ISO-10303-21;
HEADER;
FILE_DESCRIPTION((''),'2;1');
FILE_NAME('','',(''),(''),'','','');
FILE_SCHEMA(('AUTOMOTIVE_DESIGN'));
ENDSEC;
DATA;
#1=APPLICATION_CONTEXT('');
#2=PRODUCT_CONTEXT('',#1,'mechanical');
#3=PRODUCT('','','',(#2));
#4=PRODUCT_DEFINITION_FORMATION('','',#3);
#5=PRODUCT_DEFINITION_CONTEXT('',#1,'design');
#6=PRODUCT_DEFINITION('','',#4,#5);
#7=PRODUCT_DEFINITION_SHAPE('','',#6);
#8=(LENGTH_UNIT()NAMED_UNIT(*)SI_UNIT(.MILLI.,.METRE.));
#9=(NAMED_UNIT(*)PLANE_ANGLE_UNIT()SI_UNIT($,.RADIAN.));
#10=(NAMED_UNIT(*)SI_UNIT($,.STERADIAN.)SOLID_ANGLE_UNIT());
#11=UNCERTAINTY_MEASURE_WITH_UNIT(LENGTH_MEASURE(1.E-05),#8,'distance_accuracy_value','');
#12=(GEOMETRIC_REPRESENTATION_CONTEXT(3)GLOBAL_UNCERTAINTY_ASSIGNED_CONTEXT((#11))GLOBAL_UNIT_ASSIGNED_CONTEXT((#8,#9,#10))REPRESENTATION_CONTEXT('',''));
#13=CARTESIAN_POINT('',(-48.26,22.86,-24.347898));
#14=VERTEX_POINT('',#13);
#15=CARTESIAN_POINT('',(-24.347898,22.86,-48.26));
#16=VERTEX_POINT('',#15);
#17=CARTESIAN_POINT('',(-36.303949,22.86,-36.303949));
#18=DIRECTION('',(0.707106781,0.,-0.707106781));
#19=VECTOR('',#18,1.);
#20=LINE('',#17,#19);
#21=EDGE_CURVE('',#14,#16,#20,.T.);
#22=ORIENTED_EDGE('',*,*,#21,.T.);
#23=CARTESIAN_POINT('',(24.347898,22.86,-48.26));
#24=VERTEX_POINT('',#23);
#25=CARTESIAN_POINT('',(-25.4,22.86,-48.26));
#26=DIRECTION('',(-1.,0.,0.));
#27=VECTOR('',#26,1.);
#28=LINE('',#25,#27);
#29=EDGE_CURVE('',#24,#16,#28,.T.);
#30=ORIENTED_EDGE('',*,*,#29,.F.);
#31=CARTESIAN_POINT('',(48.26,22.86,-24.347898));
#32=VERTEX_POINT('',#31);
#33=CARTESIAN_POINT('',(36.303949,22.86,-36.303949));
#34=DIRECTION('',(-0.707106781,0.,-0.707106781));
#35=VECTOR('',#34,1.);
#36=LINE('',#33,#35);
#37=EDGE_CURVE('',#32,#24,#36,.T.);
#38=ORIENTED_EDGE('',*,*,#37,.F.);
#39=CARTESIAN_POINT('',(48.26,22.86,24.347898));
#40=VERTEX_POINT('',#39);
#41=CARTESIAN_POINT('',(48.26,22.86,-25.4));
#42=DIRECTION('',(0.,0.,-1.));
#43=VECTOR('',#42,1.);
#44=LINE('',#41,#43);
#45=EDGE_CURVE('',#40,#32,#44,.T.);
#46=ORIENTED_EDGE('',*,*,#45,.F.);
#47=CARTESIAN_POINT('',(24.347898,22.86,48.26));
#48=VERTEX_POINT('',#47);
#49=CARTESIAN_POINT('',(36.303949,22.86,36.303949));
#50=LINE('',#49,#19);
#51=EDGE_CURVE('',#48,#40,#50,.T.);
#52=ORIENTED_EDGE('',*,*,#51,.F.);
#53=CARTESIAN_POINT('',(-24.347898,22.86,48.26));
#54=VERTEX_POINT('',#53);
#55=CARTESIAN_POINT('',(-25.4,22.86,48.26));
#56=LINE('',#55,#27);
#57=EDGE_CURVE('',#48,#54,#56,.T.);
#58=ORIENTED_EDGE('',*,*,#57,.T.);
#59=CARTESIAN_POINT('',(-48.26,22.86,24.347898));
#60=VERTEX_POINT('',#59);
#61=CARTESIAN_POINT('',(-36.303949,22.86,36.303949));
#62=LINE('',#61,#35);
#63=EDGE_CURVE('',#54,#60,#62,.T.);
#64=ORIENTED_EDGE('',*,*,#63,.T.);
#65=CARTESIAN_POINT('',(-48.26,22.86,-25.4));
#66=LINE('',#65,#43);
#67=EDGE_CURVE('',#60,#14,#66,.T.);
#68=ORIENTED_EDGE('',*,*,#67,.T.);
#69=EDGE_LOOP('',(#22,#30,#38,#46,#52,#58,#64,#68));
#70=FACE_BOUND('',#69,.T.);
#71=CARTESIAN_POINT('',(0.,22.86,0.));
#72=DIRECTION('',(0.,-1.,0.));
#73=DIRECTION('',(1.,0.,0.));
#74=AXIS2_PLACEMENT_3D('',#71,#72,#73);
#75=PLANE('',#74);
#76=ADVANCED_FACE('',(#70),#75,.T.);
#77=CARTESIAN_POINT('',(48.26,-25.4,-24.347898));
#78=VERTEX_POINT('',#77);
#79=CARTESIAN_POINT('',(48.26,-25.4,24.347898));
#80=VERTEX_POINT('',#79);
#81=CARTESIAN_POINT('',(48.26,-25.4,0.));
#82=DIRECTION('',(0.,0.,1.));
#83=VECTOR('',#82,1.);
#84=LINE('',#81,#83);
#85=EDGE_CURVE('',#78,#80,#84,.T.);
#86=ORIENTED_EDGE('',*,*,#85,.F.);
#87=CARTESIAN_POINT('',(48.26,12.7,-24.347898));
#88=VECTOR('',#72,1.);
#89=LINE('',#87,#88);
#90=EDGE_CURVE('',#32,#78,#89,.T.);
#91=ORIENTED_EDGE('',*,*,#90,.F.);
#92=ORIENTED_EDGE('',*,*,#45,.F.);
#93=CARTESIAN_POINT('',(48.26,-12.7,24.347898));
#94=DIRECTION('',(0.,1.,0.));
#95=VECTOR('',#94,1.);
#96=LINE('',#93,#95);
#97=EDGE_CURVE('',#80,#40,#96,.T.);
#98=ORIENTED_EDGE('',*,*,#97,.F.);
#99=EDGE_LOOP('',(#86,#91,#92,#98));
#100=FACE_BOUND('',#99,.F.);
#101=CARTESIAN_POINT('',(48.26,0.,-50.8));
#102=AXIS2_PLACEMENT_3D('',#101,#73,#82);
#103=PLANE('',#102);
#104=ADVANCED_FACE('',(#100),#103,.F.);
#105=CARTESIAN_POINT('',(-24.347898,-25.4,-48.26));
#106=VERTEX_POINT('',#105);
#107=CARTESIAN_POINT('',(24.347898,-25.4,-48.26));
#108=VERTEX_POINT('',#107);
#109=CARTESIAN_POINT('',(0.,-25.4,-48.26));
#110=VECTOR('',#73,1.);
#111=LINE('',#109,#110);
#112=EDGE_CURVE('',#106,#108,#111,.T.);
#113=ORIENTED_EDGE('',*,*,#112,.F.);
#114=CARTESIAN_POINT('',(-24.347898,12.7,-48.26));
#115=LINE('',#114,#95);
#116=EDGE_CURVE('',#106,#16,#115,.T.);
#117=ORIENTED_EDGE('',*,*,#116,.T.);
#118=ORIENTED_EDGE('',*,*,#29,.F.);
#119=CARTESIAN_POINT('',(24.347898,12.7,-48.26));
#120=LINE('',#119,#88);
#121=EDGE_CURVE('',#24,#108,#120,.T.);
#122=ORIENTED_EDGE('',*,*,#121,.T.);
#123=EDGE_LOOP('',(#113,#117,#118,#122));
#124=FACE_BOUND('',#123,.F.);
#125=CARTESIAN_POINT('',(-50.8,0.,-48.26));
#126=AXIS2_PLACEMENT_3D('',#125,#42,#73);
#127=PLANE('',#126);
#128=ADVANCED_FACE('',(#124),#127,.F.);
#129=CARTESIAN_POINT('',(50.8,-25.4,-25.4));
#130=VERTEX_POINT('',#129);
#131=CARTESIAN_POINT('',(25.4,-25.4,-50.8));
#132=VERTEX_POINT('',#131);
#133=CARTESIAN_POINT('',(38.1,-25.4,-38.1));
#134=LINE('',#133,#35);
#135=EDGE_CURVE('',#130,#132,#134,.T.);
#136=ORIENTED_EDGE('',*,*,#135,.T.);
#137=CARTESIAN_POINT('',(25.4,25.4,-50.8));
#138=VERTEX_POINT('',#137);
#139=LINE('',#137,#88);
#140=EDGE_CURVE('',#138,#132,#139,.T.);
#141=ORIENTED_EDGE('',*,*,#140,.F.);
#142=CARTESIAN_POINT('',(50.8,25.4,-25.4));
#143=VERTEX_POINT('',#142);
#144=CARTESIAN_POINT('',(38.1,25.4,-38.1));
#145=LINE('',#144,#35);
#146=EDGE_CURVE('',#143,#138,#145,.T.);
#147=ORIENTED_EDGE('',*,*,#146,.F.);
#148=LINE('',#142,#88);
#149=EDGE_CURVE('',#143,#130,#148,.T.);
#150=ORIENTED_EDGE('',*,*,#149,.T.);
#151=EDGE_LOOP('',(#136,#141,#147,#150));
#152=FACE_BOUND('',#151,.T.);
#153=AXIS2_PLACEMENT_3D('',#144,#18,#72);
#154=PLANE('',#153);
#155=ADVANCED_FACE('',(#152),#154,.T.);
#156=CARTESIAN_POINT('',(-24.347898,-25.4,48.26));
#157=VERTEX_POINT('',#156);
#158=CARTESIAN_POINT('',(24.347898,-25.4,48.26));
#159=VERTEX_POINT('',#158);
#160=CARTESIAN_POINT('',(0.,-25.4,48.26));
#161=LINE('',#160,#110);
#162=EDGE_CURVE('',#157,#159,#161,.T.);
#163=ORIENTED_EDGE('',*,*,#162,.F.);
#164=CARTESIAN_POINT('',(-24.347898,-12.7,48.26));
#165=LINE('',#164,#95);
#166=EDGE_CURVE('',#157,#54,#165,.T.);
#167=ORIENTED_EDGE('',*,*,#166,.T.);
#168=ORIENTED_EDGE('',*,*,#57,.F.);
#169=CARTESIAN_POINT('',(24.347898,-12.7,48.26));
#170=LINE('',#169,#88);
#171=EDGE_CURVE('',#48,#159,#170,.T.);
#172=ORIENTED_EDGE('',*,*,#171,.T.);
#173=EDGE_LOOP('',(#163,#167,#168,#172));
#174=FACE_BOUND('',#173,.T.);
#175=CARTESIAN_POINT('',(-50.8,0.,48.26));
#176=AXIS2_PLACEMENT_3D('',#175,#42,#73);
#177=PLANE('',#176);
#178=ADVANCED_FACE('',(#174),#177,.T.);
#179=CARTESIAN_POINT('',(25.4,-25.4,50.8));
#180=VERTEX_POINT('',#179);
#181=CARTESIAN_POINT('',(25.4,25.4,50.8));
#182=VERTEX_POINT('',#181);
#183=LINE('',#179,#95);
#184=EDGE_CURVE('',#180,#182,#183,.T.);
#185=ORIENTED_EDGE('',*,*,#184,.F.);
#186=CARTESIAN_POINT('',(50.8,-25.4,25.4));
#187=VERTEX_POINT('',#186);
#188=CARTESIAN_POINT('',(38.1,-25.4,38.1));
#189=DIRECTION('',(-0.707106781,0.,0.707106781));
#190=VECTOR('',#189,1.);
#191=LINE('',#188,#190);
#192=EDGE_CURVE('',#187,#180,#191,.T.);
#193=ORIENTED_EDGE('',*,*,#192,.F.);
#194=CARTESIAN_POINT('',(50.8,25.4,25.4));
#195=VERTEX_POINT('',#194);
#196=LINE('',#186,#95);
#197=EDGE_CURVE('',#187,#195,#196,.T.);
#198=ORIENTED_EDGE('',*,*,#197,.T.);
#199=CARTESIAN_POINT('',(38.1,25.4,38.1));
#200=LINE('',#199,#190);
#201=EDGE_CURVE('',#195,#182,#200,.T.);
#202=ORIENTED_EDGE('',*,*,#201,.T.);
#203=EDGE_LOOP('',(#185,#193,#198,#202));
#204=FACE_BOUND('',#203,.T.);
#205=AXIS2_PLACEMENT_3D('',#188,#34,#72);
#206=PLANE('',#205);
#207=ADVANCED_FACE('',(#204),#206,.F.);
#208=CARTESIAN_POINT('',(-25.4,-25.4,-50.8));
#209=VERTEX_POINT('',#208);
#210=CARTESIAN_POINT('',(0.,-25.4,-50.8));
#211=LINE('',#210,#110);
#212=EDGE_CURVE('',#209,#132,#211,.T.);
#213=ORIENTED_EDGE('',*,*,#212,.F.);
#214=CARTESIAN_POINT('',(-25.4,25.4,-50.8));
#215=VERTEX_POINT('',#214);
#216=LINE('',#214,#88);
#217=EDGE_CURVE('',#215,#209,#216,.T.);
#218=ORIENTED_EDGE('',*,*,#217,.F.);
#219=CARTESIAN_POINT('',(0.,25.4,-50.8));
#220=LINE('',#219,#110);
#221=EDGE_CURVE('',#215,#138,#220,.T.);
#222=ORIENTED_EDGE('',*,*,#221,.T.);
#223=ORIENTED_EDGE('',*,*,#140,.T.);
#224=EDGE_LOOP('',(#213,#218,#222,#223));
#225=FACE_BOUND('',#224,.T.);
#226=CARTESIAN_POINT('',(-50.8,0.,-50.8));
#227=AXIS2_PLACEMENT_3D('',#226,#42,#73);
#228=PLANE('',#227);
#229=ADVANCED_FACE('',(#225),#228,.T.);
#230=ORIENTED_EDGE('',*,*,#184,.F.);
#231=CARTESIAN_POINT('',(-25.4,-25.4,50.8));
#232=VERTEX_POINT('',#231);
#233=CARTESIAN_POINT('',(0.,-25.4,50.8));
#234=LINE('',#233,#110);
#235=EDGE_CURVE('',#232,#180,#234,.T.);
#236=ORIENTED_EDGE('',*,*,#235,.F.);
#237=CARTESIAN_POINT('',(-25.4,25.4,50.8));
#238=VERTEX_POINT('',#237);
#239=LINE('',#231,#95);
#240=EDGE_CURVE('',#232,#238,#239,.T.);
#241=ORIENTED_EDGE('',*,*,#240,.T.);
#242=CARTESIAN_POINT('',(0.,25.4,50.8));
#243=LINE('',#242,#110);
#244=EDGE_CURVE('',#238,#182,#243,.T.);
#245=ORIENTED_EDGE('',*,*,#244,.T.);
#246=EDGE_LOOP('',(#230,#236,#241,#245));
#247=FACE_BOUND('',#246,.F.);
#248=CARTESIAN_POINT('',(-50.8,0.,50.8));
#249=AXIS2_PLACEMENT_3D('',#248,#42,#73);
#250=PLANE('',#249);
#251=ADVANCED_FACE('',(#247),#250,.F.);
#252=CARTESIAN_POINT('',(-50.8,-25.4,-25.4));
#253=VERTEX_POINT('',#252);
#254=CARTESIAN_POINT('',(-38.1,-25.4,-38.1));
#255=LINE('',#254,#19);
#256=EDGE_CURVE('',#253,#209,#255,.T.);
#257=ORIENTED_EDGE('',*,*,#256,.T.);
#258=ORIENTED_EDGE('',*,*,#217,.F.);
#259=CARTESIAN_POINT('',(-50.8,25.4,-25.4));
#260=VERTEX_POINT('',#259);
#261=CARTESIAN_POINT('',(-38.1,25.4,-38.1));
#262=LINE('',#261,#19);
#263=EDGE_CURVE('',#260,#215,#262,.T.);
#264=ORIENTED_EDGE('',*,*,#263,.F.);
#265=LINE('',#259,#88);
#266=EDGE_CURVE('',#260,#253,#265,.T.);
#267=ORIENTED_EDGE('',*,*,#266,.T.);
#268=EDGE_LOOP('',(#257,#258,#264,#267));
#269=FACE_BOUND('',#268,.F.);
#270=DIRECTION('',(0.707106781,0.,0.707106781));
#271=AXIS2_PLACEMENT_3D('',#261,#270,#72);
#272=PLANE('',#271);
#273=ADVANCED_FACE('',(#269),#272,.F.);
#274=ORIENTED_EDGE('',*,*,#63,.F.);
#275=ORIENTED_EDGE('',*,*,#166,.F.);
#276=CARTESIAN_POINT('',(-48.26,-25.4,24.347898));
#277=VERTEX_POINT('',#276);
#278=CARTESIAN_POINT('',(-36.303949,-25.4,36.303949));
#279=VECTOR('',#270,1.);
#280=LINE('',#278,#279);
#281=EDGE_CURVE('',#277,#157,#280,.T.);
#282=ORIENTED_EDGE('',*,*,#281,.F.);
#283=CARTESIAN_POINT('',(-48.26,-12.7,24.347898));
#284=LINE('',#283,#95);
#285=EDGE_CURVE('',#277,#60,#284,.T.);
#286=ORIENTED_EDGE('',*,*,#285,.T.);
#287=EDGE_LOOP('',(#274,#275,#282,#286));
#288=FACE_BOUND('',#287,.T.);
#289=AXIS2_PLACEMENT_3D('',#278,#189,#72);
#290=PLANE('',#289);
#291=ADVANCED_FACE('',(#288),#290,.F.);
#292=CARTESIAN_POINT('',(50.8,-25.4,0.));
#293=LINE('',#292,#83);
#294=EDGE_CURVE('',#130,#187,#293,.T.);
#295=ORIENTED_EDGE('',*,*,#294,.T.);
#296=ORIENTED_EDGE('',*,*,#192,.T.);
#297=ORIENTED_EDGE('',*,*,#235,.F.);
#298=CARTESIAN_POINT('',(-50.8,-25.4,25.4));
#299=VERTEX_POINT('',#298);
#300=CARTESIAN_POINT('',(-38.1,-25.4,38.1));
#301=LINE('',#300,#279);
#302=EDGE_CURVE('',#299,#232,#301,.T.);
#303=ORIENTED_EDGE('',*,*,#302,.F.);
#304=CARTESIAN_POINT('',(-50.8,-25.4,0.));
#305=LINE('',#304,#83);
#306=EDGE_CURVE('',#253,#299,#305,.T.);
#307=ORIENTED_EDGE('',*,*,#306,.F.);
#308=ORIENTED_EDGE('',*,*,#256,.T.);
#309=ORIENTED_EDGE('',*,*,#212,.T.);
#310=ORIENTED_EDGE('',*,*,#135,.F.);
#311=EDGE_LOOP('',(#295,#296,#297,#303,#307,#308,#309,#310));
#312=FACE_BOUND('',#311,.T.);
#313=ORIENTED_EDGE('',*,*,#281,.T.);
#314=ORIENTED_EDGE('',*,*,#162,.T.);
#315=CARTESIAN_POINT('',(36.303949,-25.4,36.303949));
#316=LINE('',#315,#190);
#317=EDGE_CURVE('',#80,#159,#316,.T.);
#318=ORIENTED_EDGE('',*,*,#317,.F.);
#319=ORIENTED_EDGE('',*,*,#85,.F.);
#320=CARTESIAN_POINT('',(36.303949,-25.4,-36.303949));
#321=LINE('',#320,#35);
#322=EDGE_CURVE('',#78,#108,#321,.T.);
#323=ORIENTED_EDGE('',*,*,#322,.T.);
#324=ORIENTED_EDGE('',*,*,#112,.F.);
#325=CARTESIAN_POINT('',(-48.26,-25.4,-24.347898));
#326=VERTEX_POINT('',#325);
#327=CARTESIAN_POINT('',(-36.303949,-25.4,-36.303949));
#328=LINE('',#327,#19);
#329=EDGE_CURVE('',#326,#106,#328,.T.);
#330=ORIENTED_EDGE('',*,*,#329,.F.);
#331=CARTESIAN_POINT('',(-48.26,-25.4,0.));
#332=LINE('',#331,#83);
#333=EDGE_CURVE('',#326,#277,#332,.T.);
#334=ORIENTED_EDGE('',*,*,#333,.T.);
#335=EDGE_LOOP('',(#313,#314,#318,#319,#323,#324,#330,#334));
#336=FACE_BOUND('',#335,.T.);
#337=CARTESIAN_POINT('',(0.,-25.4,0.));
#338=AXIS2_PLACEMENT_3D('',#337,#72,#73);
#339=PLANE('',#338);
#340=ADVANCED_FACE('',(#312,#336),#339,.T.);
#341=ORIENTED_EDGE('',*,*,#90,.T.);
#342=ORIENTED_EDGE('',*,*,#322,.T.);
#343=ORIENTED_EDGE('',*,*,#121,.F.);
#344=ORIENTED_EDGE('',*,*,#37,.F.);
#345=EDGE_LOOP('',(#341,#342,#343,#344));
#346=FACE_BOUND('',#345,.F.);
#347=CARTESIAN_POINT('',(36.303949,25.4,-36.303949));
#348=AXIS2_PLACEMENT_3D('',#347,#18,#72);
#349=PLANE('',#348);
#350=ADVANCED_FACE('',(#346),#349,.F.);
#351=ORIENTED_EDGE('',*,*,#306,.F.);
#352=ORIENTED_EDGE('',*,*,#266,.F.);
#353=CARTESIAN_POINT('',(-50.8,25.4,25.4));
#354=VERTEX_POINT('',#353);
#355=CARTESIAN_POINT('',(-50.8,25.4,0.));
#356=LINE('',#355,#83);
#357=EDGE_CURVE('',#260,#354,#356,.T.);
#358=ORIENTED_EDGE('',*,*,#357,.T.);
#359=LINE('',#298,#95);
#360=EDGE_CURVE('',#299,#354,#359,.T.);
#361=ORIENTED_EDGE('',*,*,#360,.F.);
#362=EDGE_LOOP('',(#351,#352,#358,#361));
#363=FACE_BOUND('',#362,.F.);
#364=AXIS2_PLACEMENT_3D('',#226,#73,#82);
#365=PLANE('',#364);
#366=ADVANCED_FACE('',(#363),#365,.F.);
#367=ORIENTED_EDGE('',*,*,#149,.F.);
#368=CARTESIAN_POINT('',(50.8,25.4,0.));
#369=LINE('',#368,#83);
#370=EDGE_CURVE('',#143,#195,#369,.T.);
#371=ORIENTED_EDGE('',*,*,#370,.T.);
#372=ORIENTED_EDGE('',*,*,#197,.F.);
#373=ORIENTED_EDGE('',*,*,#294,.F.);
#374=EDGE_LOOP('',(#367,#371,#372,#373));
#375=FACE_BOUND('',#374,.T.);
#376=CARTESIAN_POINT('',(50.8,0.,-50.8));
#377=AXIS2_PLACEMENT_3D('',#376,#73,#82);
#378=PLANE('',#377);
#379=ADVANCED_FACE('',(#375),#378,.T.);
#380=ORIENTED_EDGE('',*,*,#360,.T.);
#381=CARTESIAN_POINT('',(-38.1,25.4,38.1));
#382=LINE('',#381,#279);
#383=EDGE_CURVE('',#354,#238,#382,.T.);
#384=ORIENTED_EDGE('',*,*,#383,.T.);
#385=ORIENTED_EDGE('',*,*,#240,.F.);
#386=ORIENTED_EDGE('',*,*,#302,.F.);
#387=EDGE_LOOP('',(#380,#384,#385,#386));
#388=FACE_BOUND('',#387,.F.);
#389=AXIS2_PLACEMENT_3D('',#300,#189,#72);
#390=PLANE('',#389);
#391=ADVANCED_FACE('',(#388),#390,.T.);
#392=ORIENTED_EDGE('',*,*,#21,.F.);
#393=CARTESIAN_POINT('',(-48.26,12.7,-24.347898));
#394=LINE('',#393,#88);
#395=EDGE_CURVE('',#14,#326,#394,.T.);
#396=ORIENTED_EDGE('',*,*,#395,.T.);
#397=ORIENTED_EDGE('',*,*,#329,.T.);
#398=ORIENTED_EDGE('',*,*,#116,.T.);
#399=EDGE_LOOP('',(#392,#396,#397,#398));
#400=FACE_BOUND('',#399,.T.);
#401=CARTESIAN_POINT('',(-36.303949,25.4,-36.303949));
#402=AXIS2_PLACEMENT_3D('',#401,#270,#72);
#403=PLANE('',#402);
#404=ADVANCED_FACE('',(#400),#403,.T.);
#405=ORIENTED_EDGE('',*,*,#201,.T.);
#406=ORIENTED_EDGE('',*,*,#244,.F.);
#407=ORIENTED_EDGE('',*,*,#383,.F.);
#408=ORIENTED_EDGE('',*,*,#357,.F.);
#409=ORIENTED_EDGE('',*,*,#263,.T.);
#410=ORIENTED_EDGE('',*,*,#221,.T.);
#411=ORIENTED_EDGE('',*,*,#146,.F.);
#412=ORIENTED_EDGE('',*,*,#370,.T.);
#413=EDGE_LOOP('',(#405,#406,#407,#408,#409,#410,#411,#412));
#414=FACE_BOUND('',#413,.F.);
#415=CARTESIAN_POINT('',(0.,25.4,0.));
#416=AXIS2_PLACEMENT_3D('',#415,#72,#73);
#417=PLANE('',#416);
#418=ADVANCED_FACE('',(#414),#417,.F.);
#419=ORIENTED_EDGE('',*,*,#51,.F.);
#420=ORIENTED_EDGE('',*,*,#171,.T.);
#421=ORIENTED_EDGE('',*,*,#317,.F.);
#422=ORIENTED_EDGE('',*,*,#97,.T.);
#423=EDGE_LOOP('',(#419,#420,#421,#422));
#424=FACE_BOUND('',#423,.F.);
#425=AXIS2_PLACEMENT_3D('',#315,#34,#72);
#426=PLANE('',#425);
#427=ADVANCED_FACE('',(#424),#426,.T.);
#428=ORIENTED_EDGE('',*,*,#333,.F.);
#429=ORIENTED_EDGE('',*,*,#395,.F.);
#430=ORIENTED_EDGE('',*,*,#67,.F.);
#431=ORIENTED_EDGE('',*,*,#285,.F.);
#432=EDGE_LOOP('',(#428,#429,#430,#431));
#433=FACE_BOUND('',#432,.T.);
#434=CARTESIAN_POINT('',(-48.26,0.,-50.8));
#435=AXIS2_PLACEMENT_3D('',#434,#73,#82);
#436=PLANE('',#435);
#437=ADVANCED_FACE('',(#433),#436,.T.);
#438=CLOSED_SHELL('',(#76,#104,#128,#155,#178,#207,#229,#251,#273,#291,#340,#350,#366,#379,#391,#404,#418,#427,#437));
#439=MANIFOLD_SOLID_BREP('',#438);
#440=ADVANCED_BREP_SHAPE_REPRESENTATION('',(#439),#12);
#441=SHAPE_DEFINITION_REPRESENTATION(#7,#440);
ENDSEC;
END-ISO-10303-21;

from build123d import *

# Parameters (mm, degrees)
F0_W     = 101.6
F0_H     = 101.6
F1_DEPTH = 25.4
F2_SIZE  = 25.4
F3_T     = -2.54


with BuildPart() as f1:
    # F0 (on Front) → F1 (new body, symmetric)
    with BuildSketch(Plane.XZ):
        Rectangle(F0_W, F0_H)
    extrude(amount=F1_DEPTH, both=True)

    # F2
    f2_edges = [f1.edges().sort_by_distance(p)[0] for p in [
        (-50.8, 0, 50.8),
        (50.8, 0, 50.8),
        (-50.8, 0, -50.8),
        (50.8, 0, -50.8),
    ]]
    chamfer(f2_edges, length=F2_SIZE)

    # F3
    f3_openings = [f1.faces().sort_by_distance(p)[0] for p in [
        (0, -25.4, 0),
    ]]
    offset(amount=F3_T, openings=f3_openings)


solid = f1.part
